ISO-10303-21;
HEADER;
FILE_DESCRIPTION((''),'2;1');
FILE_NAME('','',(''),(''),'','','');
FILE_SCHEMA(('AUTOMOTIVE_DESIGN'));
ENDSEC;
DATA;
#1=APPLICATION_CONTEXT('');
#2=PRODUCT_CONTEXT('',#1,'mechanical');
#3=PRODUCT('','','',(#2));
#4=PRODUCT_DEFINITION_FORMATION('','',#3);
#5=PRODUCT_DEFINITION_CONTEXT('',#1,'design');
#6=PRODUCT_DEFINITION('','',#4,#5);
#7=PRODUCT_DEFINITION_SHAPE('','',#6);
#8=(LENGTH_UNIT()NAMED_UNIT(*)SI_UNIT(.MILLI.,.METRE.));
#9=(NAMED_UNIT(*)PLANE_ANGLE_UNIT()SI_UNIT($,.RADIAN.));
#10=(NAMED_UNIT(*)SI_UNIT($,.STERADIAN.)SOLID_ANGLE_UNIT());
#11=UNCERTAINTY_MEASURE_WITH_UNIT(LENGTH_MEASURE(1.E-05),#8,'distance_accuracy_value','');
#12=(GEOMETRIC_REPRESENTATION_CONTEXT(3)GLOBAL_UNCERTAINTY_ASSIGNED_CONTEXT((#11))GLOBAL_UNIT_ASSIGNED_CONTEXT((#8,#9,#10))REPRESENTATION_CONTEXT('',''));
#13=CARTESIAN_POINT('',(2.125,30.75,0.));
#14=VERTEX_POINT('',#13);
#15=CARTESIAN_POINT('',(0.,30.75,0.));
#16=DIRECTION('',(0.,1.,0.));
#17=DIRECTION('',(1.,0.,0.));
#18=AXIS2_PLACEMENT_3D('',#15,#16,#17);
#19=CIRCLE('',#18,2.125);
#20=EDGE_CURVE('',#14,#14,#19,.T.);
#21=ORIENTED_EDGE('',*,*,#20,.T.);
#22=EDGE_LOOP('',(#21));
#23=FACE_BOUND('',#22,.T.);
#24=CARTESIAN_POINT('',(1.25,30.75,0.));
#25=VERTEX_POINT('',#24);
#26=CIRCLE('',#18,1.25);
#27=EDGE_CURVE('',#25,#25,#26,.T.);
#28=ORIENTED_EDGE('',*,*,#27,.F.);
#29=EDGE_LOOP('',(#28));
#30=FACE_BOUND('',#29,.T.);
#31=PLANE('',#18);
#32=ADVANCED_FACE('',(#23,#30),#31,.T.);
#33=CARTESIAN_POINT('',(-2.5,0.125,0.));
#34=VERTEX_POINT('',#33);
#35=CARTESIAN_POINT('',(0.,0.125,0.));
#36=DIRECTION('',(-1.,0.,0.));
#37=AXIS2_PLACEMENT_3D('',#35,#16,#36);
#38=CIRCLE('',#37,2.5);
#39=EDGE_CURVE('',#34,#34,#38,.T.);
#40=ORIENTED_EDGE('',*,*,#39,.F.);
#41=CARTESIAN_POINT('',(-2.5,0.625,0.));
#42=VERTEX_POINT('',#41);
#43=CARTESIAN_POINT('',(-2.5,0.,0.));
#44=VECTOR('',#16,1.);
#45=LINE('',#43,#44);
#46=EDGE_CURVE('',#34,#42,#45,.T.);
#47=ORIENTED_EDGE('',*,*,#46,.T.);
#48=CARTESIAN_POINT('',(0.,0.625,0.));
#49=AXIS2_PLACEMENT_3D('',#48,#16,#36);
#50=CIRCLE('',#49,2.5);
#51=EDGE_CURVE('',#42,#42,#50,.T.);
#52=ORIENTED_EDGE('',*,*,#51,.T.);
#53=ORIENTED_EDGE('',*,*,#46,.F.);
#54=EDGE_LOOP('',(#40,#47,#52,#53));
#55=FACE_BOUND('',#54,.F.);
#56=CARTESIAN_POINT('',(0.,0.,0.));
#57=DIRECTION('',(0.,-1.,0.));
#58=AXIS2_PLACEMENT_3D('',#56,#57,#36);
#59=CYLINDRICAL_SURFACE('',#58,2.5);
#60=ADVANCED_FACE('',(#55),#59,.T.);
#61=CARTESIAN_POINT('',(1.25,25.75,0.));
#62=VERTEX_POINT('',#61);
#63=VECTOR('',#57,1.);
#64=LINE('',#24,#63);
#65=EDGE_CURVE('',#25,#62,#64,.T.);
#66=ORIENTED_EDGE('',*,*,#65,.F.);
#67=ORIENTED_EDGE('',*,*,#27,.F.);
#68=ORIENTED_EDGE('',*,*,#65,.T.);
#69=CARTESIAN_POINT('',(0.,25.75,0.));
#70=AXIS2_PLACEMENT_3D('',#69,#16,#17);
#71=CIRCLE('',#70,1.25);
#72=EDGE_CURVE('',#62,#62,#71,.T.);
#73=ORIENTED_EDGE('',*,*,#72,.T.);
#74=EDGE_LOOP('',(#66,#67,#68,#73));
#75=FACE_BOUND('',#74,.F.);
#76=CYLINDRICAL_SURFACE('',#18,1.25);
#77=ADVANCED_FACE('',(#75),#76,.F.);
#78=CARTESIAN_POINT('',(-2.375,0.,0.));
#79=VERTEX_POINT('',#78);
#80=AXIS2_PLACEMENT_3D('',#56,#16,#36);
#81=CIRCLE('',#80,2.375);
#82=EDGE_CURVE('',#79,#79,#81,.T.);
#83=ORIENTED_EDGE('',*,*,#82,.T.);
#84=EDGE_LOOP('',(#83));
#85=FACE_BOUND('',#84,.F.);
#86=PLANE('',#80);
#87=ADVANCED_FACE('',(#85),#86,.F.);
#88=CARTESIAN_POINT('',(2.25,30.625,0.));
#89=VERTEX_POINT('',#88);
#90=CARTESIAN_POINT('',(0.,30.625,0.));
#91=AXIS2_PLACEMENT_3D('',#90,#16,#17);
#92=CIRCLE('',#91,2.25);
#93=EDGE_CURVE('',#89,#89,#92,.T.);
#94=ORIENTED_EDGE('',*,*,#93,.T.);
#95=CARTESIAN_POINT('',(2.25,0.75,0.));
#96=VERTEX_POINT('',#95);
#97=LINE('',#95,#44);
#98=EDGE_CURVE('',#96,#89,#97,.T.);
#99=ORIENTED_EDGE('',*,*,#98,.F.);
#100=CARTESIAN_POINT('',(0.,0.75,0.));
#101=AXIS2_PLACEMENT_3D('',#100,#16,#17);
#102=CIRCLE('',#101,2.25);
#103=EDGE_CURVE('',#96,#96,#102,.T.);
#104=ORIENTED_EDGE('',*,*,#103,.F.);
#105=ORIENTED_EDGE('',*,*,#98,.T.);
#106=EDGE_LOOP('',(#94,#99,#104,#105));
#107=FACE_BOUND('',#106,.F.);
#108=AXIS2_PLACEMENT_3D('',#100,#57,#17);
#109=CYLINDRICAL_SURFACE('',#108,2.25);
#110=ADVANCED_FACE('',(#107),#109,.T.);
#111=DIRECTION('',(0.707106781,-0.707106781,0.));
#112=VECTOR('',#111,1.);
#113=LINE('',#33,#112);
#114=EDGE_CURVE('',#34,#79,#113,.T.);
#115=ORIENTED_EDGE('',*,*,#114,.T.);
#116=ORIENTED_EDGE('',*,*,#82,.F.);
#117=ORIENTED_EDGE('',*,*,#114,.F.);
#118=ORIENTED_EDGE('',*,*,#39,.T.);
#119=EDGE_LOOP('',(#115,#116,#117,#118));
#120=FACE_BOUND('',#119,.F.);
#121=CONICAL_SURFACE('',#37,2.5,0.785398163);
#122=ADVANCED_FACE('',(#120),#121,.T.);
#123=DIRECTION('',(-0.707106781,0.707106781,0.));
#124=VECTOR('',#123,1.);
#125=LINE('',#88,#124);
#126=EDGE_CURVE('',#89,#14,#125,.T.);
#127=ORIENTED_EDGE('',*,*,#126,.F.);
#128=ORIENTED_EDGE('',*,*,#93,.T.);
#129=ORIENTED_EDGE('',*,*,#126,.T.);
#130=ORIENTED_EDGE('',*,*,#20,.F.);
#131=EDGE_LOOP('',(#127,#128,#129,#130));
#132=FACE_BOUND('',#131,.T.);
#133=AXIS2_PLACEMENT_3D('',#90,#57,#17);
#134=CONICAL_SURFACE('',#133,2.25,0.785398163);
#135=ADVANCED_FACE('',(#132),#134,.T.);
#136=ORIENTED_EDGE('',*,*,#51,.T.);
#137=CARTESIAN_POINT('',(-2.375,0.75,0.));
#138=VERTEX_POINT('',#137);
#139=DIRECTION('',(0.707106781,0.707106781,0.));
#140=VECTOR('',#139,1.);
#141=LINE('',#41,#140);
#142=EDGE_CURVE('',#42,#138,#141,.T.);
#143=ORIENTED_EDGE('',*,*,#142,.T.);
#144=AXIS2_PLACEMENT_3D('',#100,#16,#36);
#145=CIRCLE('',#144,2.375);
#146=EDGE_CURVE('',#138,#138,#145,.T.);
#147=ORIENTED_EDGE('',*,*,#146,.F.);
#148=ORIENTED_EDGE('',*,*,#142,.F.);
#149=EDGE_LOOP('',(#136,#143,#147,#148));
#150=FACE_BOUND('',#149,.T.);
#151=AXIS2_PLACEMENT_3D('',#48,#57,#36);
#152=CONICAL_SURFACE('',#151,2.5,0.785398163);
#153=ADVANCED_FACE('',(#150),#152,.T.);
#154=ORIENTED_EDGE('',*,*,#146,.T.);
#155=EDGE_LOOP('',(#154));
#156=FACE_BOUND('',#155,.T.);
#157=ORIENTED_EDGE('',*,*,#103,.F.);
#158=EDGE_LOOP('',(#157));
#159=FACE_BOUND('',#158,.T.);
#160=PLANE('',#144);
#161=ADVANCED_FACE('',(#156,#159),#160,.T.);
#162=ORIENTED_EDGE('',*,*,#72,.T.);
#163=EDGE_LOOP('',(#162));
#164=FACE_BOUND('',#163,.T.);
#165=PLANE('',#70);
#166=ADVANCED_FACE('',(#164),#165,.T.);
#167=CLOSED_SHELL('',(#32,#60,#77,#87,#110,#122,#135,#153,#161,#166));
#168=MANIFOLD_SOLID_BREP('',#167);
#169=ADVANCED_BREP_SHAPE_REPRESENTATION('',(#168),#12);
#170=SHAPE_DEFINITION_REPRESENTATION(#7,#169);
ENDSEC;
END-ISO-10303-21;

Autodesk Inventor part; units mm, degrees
ref_plane "YZ Plane" through (0, 0, 0) normal (1, 0, 0) x (0, 1, 0)
ref_plane "XZ Plane" through (0, 0, 0) normal (0, 1, 0) x (-1, 0, 0)
ref_plane "XY Plane" through (0, 0, 0) normal (0, 0, 1) x (1, 0, 0)
sketch "Sketch1" plane through (0, 0, 0) normal (0, 1, 0) x (-1, 0, 0)
  circle A0 centre (0, 0) radius 2.5
  dimension "d0" = 5
extrude "Extrusion1" add sketch "Sketch1" along normal blind 0.75
chamfer "Chamfer1" distance 0.125 angle 45 2 edges at (2.5, 0, 0) (2.5, 0.75, 0)
sketch "Sketch2" plane through (0, 0.75, 0) normal (0, 1, 0) x (1, 0, 0)
  circle A0 centre (0, 0) radius 2.25
  dimension "d6" = 4.5
extrude "Extrusion2" add sketch "Sketch2" along normal blind 30
sketch "Sketch3" plane through (0, 30.75, 0) normal (0, 1, 0) x (1, 0, 0)
  circle A0 centre (0, 0) radius 1.25
  dimension "d9" = 2.5
extrude "Extrusion3" cut sketch "Sketch3" against normal blind 5
thread "Thread1" size "M2.5x0.45" class "6H" standard "ANSI Metric M Profile" full length
chamfer "Chamfer2" distance 0.125 angle 45 1 edges at (-2.25, 30.75, 0)
properties part number "Z25_Hinge_Shaft" material "Stainless Steel"
